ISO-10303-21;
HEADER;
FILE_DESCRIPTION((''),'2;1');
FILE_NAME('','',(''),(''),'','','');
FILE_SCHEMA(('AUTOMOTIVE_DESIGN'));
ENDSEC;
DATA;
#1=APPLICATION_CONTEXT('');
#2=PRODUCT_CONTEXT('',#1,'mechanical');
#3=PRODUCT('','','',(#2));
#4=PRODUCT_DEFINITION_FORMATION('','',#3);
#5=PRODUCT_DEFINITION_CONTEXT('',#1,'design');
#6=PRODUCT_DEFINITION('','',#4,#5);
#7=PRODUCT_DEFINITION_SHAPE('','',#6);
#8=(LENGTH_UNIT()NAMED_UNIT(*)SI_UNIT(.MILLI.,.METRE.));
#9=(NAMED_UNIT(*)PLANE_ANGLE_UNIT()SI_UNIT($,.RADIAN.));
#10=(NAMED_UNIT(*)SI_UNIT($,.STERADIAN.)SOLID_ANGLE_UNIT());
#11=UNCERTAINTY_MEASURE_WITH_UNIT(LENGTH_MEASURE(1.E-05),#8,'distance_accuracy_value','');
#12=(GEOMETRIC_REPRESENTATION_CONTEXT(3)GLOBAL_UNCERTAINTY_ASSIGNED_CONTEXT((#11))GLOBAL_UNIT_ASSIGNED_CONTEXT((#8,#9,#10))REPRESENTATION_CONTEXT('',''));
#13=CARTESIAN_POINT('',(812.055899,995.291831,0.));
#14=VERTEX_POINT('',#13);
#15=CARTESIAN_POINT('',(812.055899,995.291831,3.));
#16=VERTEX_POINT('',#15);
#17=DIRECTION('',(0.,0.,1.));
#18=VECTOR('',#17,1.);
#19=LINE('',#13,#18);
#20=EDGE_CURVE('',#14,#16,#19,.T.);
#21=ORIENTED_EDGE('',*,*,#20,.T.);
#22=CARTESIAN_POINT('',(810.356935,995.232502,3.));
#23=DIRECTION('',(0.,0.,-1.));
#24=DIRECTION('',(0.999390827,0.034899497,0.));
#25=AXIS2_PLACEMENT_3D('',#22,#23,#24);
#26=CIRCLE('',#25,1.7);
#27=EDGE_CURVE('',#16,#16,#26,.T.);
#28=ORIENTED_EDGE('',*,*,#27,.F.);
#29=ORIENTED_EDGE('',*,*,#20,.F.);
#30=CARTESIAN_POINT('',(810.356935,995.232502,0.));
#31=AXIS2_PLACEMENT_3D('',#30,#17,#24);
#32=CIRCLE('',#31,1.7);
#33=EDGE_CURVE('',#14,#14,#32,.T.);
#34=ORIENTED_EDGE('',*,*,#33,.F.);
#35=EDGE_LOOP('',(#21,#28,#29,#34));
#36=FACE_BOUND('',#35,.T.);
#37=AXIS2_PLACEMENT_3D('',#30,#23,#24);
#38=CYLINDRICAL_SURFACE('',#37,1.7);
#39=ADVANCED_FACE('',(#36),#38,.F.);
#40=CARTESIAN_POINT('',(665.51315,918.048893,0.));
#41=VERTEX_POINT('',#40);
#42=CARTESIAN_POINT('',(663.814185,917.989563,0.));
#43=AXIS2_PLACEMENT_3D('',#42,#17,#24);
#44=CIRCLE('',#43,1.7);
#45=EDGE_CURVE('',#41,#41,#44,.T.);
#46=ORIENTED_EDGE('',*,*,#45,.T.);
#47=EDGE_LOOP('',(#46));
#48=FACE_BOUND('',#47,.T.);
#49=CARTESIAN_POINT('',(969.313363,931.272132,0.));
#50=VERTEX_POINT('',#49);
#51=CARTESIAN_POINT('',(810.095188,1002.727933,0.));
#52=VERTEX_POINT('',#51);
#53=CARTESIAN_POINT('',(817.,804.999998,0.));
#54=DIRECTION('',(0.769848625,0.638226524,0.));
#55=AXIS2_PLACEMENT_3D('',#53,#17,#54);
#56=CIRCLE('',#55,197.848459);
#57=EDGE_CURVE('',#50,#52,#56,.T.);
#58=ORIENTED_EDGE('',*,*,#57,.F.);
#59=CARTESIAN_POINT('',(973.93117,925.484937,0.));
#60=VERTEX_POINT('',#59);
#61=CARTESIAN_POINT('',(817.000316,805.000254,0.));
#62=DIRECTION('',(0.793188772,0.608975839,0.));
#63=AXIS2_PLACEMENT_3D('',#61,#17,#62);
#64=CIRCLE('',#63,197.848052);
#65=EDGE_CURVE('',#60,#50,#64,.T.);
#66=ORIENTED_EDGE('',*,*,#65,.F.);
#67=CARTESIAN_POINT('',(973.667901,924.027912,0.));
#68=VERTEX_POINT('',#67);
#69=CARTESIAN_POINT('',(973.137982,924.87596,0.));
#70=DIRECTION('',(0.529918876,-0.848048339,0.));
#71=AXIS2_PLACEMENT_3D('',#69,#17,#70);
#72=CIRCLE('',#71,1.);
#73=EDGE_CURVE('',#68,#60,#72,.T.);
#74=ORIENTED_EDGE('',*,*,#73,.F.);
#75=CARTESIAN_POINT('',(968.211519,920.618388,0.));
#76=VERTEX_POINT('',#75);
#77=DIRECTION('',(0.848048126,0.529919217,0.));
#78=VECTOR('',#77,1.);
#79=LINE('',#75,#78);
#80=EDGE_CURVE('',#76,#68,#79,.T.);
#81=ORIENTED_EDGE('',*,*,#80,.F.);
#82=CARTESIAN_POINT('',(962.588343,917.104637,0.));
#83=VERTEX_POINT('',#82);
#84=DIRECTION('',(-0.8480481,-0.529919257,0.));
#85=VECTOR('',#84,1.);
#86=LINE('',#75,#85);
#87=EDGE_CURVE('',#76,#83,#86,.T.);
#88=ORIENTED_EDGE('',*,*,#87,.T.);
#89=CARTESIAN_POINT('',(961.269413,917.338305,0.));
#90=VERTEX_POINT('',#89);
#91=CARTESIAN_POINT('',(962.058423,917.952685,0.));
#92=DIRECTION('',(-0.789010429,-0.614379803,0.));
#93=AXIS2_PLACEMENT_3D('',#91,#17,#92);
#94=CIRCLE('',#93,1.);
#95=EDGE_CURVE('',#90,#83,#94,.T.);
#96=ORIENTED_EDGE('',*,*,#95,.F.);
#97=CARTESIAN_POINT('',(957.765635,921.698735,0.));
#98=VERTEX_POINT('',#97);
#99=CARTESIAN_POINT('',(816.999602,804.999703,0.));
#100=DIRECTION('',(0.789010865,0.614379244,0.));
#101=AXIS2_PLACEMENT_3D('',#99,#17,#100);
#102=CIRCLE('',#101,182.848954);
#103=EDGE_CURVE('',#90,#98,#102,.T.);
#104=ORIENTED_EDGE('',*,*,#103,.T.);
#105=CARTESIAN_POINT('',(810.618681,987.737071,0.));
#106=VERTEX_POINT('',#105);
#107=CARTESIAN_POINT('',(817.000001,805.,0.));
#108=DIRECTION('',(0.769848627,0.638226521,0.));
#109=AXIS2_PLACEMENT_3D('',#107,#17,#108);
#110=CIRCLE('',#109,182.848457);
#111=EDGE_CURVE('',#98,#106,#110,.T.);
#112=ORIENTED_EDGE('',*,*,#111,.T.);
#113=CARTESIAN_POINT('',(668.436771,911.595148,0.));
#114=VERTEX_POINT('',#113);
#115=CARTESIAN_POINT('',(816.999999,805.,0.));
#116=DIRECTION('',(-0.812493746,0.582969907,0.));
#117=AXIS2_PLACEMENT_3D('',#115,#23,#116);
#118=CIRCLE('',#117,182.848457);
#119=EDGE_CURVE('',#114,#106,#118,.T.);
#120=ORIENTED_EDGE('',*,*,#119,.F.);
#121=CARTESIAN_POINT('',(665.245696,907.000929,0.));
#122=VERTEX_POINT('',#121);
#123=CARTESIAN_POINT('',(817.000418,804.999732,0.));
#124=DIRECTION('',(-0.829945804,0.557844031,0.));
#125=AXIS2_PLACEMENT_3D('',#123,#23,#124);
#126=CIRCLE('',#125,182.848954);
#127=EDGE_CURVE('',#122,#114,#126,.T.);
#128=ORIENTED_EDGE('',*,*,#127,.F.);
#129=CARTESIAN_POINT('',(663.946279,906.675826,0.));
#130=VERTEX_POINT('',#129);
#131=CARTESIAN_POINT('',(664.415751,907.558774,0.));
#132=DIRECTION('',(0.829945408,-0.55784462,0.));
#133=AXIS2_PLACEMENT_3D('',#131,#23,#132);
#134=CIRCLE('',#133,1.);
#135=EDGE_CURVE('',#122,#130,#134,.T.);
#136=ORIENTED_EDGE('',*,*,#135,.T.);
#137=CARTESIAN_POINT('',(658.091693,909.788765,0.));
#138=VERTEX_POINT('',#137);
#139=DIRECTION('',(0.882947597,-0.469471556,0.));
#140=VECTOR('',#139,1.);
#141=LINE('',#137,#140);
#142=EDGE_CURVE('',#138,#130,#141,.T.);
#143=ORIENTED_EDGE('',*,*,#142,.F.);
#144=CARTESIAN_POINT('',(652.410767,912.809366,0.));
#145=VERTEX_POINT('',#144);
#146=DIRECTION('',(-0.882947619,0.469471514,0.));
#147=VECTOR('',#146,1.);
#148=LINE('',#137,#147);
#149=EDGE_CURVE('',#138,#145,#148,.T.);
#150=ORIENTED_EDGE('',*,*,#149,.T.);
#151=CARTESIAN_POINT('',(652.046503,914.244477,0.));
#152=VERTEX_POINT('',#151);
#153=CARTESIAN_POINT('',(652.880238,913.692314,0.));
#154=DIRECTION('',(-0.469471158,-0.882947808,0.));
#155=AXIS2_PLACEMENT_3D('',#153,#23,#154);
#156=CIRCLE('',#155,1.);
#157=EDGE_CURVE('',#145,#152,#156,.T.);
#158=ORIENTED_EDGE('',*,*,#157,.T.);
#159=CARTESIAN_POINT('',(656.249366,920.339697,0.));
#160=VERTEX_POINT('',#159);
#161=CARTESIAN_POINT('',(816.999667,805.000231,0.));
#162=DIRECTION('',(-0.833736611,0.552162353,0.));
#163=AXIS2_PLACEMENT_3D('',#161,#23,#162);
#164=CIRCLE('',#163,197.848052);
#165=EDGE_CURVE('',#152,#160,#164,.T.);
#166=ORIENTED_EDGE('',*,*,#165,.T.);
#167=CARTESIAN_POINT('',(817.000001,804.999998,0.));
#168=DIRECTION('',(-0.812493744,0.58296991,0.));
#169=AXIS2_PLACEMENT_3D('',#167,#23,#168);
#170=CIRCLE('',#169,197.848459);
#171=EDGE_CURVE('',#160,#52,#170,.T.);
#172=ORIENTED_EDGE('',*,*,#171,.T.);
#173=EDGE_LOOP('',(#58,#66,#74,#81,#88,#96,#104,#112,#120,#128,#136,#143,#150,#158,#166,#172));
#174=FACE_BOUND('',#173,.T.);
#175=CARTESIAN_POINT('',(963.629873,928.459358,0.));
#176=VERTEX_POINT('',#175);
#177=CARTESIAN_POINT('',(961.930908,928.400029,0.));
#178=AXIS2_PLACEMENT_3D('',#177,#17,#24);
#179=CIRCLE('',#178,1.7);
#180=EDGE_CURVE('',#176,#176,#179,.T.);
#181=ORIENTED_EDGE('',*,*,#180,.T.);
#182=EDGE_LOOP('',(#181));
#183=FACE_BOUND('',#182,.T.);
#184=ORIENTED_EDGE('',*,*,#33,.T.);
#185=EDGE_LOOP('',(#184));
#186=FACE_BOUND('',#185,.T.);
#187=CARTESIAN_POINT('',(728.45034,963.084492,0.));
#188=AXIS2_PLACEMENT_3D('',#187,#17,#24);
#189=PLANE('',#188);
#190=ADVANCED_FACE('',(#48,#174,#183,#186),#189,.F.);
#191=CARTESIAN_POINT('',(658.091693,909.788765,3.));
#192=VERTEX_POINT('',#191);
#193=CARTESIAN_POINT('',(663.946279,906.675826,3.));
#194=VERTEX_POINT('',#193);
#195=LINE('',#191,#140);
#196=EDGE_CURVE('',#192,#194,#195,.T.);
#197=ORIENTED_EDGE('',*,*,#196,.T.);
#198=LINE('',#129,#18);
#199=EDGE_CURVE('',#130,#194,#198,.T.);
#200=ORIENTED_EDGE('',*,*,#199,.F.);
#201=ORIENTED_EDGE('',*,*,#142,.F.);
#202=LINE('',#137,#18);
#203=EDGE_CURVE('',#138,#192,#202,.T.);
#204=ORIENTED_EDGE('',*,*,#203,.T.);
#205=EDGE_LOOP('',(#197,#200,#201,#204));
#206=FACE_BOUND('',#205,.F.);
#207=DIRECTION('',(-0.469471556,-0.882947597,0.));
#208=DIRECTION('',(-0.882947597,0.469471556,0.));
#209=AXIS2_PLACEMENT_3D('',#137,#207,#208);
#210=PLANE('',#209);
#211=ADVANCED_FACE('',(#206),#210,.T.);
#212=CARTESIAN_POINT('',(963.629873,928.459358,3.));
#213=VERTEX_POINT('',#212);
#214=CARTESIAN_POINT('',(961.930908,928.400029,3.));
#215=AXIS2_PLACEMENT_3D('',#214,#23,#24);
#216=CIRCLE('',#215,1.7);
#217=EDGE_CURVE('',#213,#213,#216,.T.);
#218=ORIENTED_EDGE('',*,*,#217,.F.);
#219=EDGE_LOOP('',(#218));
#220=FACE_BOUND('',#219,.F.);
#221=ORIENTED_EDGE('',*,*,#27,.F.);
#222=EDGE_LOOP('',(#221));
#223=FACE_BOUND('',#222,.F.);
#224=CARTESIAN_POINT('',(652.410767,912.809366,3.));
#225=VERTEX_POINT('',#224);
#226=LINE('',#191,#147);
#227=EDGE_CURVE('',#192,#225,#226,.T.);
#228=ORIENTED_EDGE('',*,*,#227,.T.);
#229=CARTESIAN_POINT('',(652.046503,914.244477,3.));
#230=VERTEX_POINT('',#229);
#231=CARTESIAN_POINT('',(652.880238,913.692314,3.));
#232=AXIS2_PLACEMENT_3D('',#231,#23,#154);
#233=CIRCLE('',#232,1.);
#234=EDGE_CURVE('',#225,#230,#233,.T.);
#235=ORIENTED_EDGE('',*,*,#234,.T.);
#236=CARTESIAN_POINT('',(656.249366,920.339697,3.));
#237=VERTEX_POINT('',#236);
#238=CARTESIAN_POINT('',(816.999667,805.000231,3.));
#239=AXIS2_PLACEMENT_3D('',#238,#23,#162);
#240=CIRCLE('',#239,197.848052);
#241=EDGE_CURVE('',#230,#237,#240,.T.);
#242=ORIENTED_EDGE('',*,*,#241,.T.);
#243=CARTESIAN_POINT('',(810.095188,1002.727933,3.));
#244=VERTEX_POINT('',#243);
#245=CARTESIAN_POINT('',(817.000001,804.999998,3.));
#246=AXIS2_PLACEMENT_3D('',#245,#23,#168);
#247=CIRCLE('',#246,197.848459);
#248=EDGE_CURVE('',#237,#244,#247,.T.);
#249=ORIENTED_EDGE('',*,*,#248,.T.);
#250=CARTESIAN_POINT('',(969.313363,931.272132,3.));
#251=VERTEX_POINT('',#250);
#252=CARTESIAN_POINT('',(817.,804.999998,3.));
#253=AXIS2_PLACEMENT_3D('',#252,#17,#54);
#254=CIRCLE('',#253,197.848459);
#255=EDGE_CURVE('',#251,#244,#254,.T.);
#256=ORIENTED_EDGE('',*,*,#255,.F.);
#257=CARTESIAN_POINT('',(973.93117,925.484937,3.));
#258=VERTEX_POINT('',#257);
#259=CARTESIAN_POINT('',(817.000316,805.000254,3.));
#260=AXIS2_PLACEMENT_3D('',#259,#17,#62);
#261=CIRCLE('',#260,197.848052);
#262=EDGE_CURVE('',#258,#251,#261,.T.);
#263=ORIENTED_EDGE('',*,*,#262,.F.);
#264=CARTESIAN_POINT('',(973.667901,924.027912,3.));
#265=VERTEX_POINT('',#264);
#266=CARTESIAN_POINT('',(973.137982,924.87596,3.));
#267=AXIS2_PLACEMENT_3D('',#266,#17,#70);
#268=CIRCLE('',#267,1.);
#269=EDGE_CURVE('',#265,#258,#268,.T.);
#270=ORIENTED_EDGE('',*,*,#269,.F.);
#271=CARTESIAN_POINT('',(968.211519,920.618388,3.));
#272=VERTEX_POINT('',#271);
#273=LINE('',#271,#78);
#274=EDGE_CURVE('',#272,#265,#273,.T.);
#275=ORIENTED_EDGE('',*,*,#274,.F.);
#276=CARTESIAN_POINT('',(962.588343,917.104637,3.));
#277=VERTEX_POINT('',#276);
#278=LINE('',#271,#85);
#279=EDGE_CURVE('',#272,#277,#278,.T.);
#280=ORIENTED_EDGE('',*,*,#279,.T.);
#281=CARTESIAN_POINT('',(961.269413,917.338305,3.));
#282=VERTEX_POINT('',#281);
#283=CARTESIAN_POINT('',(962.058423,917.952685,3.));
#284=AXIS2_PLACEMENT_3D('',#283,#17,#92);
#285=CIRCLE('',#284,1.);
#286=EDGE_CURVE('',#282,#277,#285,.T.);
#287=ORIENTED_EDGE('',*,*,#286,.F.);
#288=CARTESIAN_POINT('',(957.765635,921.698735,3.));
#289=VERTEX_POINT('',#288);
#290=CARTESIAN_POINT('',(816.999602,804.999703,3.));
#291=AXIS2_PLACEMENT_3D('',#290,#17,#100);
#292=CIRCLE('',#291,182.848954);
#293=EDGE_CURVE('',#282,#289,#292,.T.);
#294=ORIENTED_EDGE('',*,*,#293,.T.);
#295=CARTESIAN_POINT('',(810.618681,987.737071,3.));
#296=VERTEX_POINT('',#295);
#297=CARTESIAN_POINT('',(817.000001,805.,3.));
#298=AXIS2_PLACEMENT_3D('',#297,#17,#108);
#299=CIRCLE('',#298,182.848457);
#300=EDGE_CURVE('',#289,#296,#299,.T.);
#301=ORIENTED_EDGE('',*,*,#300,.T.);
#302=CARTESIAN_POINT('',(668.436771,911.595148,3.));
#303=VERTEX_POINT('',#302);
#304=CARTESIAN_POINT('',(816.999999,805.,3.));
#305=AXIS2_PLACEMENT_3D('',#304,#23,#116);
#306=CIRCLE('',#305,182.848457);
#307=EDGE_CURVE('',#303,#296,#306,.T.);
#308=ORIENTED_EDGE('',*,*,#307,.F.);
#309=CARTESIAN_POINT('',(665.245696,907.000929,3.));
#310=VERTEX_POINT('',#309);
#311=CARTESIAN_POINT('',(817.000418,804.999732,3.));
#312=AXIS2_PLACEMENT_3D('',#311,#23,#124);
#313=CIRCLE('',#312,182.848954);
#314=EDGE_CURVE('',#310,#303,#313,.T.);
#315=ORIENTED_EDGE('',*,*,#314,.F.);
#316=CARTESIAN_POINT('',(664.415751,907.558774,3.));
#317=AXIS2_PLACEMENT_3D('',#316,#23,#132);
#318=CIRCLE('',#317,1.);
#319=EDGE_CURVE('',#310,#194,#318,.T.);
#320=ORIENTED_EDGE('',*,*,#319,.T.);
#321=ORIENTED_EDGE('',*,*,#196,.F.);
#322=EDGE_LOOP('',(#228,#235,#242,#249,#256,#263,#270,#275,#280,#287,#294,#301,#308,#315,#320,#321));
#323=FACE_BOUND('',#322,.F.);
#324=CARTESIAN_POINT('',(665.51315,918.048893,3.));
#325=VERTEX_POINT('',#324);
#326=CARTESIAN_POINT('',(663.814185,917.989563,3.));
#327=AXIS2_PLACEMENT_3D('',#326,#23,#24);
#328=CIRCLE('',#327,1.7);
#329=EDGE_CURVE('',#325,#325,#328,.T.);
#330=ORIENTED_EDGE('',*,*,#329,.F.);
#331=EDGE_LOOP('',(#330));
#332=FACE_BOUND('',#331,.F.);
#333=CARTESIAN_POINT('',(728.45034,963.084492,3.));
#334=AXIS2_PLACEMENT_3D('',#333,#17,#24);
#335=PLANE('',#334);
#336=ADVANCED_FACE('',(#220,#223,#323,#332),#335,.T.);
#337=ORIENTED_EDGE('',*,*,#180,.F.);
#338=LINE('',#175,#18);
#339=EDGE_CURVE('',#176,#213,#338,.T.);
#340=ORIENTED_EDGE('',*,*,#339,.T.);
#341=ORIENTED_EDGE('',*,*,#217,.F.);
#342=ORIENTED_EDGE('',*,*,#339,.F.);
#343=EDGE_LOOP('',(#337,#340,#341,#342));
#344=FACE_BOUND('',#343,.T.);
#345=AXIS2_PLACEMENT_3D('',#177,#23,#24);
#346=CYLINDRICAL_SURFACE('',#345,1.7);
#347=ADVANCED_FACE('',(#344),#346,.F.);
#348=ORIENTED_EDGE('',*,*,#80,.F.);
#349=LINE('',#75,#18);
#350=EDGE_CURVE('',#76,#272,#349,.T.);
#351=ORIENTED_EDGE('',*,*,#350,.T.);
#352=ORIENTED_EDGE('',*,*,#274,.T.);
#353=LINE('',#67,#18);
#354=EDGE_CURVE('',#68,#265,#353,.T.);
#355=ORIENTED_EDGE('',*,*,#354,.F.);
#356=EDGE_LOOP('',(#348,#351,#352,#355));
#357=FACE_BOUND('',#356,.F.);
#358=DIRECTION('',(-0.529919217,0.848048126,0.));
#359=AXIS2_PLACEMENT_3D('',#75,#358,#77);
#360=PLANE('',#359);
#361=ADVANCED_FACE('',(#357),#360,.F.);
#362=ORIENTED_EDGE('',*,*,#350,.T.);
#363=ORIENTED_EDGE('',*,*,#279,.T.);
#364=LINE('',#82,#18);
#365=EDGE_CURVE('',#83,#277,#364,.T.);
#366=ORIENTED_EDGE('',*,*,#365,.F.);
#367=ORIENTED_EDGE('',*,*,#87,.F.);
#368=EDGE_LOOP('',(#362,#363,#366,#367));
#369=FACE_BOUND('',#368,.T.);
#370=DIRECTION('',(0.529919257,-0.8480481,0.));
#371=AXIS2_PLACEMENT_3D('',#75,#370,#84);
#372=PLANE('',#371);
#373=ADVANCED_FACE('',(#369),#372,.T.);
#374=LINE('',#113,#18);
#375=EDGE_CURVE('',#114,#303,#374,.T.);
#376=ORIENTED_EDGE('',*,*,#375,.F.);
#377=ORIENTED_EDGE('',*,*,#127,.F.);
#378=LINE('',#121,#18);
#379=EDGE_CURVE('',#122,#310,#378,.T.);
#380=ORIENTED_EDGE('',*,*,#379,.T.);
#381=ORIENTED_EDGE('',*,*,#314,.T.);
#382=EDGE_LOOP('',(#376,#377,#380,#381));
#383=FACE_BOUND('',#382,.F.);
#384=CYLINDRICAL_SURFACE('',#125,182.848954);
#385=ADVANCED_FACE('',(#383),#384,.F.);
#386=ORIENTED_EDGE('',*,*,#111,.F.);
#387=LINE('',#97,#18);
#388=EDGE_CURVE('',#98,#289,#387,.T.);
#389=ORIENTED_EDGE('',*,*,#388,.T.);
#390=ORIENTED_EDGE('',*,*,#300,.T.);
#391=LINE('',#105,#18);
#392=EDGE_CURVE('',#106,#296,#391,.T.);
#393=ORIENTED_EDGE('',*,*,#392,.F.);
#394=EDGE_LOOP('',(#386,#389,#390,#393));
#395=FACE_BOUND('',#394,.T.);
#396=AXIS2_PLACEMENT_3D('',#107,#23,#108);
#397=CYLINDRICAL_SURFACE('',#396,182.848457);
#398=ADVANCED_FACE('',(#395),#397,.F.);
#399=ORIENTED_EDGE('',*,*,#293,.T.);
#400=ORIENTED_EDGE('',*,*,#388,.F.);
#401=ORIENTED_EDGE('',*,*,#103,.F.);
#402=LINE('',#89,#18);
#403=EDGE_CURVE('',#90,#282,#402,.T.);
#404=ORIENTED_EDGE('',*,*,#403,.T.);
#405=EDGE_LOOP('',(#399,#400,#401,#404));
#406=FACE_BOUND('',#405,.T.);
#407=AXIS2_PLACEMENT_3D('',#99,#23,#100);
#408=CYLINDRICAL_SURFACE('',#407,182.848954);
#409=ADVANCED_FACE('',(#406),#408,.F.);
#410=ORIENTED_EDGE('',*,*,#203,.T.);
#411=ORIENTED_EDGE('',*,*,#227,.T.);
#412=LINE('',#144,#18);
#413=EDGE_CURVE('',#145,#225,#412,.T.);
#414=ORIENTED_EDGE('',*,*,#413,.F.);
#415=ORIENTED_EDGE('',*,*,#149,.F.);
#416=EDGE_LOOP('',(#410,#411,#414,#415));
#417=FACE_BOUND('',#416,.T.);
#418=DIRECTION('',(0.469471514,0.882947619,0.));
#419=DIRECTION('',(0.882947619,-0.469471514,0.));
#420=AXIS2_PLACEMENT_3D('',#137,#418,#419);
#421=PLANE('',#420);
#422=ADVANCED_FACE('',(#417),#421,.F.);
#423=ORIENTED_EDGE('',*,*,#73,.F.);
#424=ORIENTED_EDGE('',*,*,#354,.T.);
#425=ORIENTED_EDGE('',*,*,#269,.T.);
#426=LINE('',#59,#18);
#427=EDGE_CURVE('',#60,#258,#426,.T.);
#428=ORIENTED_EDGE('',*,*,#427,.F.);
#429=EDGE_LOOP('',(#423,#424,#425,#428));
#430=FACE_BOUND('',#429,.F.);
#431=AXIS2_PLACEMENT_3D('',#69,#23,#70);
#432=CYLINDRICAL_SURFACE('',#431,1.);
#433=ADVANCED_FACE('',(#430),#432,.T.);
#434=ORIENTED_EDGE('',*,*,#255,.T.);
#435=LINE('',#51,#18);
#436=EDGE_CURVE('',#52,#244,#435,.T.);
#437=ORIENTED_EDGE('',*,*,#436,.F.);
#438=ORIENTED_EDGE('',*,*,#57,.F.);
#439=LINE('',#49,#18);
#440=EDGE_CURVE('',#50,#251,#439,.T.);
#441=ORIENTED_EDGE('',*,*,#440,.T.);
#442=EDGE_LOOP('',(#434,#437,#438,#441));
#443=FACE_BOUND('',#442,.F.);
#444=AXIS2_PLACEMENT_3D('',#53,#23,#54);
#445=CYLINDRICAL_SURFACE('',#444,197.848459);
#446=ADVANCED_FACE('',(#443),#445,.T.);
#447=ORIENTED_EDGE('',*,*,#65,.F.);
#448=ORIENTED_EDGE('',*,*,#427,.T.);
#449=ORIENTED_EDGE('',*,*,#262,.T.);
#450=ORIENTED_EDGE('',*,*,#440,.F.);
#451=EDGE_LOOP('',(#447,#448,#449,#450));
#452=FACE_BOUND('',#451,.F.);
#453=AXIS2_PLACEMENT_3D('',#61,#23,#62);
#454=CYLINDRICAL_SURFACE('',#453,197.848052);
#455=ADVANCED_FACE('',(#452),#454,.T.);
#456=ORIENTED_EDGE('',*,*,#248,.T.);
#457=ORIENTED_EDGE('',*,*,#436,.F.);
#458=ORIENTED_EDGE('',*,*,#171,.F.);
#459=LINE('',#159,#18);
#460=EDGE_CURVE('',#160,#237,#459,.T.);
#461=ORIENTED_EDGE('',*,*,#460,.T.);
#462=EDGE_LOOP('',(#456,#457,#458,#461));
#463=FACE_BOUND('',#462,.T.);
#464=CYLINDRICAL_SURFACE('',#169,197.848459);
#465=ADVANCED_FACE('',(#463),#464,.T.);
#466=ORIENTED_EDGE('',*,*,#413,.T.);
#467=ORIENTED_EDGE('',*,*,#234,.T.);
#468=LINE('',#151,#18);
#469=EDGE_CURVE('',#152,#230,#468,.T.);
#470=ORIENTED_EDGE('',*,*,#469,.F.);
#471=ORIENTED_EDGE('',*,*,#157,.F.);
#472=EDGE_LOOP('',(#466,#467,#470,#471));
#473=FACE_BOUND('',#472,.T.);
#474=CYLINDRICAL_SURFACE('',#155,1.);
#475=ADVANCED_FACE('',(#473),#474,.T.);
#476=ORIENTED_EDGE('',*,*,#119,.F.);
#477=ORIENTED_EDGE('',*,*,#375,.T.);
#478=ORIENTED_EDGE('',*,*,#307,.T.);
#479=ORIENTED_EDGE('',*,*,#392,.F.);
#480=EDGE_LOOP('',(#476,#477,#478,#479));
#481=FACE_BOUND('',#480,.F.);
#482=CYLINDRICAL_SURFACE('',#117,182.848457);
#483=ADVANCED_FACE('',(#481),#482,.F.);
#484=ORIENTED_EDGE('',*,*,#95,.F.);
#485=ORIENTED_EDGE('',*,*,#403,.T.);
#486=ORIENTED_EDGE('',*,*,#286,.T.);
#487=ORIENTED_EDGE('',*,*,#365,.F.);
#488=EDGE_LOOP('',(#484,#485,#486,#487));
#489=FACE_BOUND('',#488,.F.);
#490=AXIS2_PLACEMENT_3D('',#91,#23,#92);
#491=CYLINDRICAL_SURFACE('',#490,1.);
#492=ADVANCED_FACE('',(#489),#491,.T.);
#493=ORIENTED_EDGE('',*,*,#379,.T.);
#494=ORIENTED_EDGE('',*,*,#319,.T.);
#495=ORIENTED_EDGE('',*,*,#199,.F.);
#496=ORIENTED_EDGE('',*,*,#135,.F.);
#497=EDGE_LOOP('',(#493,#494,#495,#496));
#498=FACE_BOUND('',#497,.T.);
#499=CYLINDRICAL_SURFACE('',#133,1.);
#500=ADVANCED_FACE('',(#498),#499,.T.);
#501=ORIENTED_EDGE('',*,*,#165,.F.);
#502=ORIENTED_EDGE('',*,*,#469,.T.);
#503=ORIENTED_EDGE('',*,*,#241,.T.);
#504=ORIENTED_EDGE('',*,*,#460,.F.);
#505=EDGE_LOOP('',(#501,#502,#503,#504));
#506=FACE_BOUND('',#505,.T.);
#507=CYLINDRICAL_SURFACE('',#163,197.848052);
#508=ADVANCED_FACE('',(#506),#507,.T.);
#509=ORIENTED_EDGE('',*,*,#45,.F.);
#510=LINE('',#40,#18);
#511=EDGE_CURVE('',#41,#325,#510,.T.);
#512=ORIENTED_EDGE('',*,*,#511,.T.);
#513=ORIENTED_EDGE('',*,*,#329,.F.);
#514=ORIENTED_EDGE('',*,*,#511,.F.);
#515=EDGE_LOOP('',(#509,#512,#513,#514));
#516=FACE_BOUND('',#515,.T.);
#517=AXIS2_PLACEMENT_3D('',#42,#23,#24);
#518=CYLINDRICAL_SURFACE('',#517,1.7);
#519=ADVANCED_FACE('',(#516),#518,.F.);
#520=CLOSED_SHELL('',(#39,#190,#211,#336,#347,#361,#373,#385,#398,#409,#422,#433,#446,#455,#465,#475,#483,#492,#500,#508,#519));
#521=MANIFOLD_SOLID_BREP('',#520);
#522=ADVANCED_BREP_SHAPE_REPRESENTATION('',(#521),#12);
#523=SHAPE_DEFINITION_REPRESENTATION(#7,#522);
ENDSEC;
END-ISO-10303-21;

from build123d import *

# Parameters (mm, degrees)
PAD021_DEPTH                        = 3
SKETCH083_R                         = 1.7
POCKET041_DEPTH                     = 0.001
POCKET041_DEPTH_BACK                = 3.001
SKETCH084_R                         = 1.7
POCKET042_DEPTH                     = 0.001
POCKET042_DEPTH_BACK                = 3.001
BODY001003005003013_PLACEMENT_ANGLE = 60
CLONE017_PLACEMENT_ANGLE            = 58


with BuildPart() as part:
    # Sketch082 → Pad021 (new body)
    with BuildSketch(Plane.XY):
        with BuildLine():
            ThreePointArc((156.627412, 120.879551), (87.258751, 177.56667), (0, 197.848457))
            Line((0, 197.848457), (0, 182.848457))
            ThreePointArc((144.752611, 111.714995), (80.643177, 164.104346), (0, 182.848457))
            ThreePointArc((148.102078, 107.234942), (146.444477, 109.487778), (144.752611, 111.714995))
            ThreePointArc((148.102078, 107.234942), (148.703343, 106.843433), (149.41205, 106.955386))
            Line((155.154429, 110.27075), (149.41205, 106.955386))
            Line((155.154429, 110.27075), (160.726477, 113.487773))
            ThreePointArc((160.726477, 113.487773), (161.203737, 114.141753), (161.040435, 114.934722))
            ThreePointArc((161.040435, 114.934722), (158.861734, 117.927781), (156.627412, 120.879551))
        make_face()
    pad021 = extrude(amount=PAD021_DEPTH)

    # Mirrored029: Pad021 across Sketch082 V_Axis
    add(pad021.mirror(Plane(origin=(0, 0, 0), x_dir=(0, 0, 1), z_dir=(1, 0, 0))))

    # Sketch083 → Pocket041 (cut, two sides)
    with BuildSketch(Plane.XY) as pocket041_sk:
        with Locations((149.149219, 118.266841)):
            Circle(SKETCH083_R)
        with Locations((-149.149219, 118.266841)):
            Circle(SKETCH083_R)
    extrude(amount=-POCKET041_DEPTH, mode=Mode.SUBTRACT)
    extrude(pocket041_sk.sketch, amount=POCKET041_DEPTH_BACK, mode=Mode.SUBTRACT)

    # Sketch084 → Pocket042 (cut, two sides)
    with BuildSketch(Plane.XY) as pocket042_sk:
        with Locations((0, 190.348457)):
            Circle(SKETCH084_R)
    extrude(amount=-POCKET042_DEPTH, mode=Mode.SUBTRACT)
    extrude(pocket042_sk.sketch, amount=POCKET042_DEPTH_BACK, mode=Mode.SUBTRACT)


with BuildPart() as part_1:
    # Body001003005003013 placement: moved
    add(part.part.rotate(Axis((0, 0, 0), (0, 0, 1)), BODY001003005003013_PLACEMENT_ANGLE))


with BuildPart() as part_2:
    # Clone017 placement: moved
    add(part_1.part.moved(Location((817, 805, 0))).rotate(Axis((817, 805, 0), (0, 0, -1)), CLONE017_PLACEMENT_ANGLE))


solid = part_2.part
